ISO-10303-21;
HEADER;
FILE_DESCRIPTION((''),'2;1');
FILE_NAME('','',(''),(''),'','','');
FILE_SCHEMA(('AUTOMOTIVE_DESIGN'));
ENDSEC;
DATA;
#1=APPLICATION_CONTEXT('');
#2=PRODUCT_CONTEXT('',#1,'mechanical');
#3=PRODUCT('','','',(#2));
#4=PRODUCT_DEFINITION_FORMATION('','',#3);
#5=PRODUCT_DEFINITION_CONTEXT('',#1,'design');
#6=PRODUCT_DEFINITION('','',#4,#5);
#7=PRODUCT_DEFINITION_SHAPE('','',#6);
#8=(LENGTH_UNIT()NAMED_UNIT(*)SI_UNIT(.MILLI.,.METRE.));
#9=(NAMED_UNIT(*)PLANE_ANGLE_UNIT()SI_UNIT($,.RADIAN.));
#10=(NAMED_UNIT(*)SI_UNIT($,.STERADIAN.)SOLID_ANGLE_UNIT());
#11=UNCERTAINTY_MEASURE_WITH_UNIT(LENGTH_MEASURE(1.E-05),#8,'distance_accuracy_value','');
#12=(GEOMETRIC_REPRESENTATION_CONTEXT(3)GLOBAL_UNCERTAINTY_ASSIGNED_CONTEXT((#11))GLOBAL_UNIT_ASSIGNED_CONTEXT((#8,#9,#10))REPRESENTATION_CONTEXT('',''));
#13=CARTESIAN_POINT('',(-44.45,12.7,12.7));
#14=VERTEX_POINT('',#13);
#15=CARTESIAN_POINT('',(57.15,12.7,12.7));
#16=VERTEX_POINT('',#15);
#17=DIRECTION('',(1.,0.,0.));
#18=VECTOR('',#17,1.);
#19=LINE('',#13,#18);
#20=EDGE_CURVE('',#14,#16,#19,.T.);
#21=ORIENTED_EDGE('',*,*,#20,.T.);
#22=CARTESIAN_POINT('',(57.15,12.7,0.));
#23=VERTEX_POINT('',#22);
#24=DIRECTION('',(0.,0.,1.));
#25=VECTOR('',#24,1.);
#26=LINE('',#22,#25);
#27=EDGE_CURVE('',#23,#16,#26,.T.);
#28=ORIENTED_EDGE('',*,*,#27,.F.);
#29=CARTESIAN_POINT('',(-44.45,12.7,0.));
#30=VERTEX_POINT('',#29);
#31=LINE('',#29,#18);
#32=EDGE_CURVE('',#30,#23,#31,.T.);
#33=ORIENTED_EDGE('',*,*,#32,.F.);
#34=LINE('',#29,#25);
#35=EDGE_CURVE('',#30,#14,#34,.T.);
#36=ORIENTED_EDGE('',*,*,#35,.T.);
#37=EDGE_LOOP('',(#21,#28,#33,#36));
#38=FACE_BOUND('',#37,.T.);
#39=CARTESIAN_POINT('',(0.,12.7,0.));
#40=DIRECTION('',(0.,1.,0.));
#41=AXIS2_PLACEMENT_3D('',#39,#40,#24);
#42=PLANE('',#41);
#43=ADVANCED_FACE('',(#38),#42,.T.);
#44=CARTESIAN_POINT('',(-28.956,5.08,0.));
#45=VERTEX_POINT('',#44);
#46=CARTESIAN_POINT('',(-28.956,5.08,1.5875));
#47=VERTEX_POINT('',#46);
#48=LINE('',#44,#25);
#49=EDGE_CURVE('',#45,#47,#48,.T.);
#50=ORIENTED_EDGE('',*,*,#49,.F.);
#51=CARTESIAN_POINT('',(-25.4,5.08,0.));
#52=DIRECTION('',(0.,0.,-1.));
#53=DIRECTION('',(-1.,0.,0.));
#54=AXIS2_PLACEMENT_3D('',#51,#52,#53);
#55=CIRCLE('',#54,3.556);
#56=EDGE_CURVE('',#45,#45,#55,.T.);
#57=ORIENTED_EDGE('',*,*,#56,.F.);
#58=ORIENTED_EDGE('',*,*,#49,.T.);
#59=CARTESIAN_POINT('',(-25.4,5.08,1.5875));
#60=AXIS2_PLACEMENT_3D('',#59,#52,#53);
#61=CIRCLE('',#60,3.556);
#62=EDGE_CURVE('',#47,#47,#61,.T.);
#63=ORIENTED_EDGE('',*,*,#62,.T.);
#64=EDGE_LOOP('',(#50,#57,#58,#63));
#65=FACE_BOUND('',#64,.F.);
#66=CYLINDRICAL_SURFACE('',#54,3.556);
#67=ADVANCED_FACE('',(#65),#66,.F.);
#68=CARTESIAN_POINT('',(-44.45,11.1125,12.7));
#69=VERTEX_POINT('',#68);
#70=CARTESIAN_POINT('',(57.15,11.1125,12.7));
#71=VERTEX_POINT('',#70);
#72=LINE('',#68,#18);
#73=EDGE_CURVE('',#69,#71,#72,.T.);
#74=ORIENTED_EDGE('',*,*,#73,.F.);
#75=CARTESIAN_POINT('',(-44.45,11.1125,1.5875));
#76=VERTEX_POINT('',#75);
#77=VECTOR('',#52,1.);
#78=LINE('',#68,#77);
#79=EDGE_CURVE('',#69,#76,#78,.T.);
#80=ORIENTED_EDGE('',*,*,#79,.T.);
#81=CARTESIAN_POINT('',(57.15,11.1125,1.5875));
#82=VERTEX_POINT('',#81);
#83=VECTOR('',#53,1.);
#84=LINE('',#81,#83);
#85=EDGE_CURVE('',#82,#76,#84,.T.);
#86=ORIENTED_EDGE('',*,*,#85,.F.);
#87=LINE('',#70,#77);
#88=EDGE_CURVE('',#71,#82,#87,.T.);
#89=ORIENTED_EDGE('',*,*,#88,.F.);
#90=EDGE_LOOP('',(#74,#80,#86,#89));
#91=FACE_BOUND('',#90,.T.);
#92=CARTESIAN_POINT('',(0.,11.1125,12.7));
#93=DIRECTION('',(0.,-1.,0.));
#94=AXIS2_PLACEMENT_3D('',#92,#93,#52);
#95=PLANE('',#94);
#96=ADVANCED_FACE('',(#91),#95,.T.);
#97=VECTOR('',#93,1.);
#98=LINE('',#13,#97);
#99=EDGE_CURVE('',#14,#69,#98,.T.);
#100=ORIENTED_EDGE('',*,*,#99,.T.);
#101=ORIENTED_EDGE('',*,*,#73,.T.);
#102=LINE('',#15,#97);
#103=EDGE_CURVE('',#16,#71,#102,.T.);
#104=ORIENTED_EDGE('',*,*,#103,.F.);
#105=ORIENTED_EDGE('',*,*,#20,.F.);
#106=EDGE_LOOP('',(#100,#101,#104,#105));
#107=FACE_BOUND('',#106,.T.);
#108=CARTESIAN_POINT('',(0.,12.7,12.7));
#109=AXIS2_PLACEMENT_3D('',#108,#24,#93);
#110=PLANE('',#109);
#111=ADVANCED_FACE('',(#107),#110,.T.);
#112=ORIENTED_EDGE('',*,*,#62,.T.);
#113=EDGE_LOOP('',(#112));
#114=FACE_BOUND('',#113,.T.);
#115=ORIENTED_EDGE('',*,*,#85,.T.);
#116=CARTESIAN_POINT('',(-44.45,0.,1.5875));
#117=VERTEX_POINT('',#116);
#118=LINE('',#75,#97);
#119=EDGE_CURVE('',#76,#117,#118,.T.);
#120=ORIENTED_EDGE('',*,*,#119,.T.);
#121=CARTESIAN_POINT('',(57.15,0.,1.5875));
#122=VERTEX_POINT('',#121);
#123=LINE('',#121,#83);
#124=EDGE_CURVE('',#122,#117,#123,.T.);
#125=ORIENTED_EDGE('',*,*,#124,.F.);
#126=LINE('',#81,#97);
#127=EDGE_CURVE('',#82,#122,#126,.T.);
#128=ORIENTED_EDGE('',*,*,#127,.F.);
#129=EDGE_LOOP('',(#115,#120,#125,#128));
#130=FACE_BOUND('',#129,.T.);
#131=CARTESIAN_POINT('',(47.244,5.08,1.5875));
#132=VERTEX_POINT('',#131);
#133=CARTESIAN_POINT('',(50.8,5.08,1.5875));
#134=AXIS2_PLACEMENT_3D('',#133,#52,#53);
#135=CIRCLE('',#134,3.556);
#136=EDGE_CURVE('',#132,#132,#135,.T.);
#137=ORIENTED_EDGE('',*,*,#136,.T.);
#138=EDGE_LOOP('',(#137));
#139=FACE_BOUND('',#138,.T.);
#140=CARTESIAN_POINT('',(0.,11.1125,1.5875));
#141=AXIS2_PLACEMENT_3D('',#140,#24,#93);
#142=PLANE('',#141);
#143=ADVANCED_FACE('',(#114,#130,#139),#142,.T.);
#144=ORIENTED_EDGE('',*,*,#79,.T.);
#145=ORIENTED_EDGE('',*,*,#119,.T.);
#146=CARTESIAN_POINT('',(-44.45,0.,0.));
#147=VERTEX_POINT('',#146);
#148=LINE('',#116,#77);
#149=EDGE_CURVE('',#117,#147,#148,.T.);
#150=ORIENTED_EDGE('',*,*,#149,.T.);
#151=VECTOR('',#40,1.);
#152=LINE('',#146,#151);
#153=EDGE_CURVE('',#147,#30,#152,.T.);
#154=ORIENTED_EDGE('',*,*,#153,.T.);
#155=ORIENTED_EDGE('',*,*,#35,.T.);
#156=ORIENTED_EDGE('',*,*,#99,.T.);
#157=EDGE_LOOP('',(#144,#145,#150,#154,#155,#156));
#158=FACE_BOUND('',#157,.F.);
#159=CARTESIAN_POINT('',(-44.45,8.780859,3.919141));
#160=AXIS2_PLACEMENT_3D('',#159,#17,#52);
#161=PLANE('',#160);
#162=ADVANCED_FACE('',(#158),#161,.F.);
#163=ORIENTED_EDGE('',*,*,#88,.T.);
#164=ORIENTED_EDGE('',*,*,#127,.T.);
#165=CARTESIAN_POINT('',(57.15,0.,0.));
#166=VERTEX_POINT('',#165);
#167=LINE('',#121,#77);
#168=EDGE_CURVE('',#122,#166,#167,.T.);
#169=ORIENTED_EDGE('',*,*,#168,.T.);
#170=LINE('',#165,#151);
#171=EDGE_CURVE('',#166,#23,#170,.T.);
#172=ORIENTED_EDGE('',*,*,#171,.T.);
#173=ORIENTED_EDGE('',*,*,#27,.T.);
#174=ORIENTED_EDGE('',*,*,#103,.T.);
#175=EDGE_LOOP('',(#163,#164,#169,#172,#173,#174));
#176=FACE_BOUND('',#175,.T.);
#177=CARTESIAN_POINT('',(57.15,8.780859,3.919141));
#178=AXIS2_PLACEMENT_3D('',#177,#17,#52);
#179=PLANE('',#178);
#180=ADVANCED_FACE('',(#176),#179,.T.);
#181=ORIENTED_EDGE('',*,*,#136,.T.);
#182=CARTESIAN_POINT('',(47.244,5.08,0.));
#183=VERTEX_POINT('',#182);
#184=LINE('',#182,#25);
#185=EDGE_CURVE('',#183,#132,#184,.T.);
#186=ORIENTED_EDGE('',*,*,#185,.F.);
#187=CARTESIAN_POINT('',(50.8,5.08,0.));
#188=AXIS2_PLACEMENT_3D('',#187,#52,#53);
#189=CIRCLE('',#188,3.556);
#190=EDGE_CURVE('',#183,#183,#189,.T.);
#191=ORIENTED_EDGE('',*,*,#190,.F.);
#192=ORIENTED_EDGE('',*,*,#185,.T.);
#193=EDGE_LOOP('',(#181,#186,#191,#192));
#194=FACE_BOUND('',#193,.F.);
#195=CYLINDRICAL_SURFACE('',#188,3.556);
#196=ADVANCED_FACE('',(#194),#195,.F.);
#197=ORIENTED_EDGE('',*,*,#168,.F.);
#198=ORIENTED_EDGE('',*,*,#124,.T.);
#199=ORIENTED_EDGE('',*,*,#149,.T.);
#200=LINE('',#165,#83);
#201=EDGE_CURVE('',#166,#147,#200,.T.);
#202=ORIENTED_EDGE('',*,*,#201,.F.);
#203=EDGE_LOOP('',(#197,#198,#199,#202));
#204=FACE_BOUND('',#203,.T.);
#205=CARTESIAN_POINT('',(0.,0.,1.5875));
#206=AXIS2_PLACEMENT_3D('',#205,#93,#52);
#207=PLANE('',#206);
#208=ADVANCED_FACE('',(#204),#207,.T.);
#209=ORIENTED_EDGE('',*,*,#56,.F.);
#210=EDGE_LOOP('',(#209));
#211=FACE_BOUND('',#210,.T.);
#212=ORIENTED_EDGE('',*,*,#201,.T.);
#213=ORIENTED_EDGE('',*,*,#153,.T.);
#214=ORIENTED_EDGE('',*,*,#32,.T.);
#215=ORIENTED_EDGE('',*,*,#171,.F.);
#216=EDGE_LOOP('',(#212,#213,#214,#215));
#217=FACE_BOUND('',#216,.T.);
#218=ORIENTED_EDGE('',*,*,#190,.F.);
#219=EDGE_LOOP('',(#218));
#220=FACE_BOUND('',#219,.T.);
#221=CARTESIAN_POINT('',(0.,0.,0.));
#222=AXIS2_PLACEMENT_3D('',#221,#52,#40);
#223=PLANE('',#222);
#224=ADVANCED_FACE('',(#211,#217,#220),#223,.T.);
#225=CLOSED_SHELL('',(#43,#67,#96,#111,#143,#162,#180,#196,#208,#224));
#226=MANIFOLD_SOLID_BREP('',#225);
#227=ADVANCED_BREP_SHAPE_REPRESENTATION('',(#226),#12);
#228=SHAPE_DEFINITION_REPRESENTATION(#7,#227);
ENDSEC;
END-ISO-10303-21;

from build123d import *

# Parameters (mm, degrees)
BOSS_EXTRUDE1_DEPTH      = 57.15
BOSS_EXTRUDE1_DEPTH_BACK = 44.45
SKETCH3_R                = 3.556
CUT_EXTRUDE1_DEPTH       = 13.7


with BuildPart() as part:
    # Sketch1 → Boss-Extrude1 (new body, two sides)
    with BuildSketch(Plane(origin=(0, 0, 0), x_dir=(0, 0, -1), z_dir=(1, 0, 0))) as boss_extrude1_sk:
        Polygon((0, 0), (0, 12.7), (-12.7, 12.7), (-12.7, 11.1125), (-1.5875, 11.1125), (-1.5875, 0), align=None)
    extrude(amount=BOSS_EXTRUDE1_DEPTH)
    extrude(boss_extrude1_sk.sketch, amount=-BOSS_EXTRUDE1_DEPTH_BACK)

    # Sketch3 → Cut-Extrude1 (cut, through all)
    with BuildSketch(Plane(origin=(0, 0, 0), x_dir=(-1, 0, 0), z_dir=(0, 0, -1))):
        with Locations((25.4, 5.08)):
            Circle(SKETCH3_R)
        with Locations((-50.8, 5.08)):
            Circle(SKETCH3_R)
    extrude(amount=-CUT_EXTRUDE1_DEPTH, mode=Mode.SUBTRACT)


solid = part.part
